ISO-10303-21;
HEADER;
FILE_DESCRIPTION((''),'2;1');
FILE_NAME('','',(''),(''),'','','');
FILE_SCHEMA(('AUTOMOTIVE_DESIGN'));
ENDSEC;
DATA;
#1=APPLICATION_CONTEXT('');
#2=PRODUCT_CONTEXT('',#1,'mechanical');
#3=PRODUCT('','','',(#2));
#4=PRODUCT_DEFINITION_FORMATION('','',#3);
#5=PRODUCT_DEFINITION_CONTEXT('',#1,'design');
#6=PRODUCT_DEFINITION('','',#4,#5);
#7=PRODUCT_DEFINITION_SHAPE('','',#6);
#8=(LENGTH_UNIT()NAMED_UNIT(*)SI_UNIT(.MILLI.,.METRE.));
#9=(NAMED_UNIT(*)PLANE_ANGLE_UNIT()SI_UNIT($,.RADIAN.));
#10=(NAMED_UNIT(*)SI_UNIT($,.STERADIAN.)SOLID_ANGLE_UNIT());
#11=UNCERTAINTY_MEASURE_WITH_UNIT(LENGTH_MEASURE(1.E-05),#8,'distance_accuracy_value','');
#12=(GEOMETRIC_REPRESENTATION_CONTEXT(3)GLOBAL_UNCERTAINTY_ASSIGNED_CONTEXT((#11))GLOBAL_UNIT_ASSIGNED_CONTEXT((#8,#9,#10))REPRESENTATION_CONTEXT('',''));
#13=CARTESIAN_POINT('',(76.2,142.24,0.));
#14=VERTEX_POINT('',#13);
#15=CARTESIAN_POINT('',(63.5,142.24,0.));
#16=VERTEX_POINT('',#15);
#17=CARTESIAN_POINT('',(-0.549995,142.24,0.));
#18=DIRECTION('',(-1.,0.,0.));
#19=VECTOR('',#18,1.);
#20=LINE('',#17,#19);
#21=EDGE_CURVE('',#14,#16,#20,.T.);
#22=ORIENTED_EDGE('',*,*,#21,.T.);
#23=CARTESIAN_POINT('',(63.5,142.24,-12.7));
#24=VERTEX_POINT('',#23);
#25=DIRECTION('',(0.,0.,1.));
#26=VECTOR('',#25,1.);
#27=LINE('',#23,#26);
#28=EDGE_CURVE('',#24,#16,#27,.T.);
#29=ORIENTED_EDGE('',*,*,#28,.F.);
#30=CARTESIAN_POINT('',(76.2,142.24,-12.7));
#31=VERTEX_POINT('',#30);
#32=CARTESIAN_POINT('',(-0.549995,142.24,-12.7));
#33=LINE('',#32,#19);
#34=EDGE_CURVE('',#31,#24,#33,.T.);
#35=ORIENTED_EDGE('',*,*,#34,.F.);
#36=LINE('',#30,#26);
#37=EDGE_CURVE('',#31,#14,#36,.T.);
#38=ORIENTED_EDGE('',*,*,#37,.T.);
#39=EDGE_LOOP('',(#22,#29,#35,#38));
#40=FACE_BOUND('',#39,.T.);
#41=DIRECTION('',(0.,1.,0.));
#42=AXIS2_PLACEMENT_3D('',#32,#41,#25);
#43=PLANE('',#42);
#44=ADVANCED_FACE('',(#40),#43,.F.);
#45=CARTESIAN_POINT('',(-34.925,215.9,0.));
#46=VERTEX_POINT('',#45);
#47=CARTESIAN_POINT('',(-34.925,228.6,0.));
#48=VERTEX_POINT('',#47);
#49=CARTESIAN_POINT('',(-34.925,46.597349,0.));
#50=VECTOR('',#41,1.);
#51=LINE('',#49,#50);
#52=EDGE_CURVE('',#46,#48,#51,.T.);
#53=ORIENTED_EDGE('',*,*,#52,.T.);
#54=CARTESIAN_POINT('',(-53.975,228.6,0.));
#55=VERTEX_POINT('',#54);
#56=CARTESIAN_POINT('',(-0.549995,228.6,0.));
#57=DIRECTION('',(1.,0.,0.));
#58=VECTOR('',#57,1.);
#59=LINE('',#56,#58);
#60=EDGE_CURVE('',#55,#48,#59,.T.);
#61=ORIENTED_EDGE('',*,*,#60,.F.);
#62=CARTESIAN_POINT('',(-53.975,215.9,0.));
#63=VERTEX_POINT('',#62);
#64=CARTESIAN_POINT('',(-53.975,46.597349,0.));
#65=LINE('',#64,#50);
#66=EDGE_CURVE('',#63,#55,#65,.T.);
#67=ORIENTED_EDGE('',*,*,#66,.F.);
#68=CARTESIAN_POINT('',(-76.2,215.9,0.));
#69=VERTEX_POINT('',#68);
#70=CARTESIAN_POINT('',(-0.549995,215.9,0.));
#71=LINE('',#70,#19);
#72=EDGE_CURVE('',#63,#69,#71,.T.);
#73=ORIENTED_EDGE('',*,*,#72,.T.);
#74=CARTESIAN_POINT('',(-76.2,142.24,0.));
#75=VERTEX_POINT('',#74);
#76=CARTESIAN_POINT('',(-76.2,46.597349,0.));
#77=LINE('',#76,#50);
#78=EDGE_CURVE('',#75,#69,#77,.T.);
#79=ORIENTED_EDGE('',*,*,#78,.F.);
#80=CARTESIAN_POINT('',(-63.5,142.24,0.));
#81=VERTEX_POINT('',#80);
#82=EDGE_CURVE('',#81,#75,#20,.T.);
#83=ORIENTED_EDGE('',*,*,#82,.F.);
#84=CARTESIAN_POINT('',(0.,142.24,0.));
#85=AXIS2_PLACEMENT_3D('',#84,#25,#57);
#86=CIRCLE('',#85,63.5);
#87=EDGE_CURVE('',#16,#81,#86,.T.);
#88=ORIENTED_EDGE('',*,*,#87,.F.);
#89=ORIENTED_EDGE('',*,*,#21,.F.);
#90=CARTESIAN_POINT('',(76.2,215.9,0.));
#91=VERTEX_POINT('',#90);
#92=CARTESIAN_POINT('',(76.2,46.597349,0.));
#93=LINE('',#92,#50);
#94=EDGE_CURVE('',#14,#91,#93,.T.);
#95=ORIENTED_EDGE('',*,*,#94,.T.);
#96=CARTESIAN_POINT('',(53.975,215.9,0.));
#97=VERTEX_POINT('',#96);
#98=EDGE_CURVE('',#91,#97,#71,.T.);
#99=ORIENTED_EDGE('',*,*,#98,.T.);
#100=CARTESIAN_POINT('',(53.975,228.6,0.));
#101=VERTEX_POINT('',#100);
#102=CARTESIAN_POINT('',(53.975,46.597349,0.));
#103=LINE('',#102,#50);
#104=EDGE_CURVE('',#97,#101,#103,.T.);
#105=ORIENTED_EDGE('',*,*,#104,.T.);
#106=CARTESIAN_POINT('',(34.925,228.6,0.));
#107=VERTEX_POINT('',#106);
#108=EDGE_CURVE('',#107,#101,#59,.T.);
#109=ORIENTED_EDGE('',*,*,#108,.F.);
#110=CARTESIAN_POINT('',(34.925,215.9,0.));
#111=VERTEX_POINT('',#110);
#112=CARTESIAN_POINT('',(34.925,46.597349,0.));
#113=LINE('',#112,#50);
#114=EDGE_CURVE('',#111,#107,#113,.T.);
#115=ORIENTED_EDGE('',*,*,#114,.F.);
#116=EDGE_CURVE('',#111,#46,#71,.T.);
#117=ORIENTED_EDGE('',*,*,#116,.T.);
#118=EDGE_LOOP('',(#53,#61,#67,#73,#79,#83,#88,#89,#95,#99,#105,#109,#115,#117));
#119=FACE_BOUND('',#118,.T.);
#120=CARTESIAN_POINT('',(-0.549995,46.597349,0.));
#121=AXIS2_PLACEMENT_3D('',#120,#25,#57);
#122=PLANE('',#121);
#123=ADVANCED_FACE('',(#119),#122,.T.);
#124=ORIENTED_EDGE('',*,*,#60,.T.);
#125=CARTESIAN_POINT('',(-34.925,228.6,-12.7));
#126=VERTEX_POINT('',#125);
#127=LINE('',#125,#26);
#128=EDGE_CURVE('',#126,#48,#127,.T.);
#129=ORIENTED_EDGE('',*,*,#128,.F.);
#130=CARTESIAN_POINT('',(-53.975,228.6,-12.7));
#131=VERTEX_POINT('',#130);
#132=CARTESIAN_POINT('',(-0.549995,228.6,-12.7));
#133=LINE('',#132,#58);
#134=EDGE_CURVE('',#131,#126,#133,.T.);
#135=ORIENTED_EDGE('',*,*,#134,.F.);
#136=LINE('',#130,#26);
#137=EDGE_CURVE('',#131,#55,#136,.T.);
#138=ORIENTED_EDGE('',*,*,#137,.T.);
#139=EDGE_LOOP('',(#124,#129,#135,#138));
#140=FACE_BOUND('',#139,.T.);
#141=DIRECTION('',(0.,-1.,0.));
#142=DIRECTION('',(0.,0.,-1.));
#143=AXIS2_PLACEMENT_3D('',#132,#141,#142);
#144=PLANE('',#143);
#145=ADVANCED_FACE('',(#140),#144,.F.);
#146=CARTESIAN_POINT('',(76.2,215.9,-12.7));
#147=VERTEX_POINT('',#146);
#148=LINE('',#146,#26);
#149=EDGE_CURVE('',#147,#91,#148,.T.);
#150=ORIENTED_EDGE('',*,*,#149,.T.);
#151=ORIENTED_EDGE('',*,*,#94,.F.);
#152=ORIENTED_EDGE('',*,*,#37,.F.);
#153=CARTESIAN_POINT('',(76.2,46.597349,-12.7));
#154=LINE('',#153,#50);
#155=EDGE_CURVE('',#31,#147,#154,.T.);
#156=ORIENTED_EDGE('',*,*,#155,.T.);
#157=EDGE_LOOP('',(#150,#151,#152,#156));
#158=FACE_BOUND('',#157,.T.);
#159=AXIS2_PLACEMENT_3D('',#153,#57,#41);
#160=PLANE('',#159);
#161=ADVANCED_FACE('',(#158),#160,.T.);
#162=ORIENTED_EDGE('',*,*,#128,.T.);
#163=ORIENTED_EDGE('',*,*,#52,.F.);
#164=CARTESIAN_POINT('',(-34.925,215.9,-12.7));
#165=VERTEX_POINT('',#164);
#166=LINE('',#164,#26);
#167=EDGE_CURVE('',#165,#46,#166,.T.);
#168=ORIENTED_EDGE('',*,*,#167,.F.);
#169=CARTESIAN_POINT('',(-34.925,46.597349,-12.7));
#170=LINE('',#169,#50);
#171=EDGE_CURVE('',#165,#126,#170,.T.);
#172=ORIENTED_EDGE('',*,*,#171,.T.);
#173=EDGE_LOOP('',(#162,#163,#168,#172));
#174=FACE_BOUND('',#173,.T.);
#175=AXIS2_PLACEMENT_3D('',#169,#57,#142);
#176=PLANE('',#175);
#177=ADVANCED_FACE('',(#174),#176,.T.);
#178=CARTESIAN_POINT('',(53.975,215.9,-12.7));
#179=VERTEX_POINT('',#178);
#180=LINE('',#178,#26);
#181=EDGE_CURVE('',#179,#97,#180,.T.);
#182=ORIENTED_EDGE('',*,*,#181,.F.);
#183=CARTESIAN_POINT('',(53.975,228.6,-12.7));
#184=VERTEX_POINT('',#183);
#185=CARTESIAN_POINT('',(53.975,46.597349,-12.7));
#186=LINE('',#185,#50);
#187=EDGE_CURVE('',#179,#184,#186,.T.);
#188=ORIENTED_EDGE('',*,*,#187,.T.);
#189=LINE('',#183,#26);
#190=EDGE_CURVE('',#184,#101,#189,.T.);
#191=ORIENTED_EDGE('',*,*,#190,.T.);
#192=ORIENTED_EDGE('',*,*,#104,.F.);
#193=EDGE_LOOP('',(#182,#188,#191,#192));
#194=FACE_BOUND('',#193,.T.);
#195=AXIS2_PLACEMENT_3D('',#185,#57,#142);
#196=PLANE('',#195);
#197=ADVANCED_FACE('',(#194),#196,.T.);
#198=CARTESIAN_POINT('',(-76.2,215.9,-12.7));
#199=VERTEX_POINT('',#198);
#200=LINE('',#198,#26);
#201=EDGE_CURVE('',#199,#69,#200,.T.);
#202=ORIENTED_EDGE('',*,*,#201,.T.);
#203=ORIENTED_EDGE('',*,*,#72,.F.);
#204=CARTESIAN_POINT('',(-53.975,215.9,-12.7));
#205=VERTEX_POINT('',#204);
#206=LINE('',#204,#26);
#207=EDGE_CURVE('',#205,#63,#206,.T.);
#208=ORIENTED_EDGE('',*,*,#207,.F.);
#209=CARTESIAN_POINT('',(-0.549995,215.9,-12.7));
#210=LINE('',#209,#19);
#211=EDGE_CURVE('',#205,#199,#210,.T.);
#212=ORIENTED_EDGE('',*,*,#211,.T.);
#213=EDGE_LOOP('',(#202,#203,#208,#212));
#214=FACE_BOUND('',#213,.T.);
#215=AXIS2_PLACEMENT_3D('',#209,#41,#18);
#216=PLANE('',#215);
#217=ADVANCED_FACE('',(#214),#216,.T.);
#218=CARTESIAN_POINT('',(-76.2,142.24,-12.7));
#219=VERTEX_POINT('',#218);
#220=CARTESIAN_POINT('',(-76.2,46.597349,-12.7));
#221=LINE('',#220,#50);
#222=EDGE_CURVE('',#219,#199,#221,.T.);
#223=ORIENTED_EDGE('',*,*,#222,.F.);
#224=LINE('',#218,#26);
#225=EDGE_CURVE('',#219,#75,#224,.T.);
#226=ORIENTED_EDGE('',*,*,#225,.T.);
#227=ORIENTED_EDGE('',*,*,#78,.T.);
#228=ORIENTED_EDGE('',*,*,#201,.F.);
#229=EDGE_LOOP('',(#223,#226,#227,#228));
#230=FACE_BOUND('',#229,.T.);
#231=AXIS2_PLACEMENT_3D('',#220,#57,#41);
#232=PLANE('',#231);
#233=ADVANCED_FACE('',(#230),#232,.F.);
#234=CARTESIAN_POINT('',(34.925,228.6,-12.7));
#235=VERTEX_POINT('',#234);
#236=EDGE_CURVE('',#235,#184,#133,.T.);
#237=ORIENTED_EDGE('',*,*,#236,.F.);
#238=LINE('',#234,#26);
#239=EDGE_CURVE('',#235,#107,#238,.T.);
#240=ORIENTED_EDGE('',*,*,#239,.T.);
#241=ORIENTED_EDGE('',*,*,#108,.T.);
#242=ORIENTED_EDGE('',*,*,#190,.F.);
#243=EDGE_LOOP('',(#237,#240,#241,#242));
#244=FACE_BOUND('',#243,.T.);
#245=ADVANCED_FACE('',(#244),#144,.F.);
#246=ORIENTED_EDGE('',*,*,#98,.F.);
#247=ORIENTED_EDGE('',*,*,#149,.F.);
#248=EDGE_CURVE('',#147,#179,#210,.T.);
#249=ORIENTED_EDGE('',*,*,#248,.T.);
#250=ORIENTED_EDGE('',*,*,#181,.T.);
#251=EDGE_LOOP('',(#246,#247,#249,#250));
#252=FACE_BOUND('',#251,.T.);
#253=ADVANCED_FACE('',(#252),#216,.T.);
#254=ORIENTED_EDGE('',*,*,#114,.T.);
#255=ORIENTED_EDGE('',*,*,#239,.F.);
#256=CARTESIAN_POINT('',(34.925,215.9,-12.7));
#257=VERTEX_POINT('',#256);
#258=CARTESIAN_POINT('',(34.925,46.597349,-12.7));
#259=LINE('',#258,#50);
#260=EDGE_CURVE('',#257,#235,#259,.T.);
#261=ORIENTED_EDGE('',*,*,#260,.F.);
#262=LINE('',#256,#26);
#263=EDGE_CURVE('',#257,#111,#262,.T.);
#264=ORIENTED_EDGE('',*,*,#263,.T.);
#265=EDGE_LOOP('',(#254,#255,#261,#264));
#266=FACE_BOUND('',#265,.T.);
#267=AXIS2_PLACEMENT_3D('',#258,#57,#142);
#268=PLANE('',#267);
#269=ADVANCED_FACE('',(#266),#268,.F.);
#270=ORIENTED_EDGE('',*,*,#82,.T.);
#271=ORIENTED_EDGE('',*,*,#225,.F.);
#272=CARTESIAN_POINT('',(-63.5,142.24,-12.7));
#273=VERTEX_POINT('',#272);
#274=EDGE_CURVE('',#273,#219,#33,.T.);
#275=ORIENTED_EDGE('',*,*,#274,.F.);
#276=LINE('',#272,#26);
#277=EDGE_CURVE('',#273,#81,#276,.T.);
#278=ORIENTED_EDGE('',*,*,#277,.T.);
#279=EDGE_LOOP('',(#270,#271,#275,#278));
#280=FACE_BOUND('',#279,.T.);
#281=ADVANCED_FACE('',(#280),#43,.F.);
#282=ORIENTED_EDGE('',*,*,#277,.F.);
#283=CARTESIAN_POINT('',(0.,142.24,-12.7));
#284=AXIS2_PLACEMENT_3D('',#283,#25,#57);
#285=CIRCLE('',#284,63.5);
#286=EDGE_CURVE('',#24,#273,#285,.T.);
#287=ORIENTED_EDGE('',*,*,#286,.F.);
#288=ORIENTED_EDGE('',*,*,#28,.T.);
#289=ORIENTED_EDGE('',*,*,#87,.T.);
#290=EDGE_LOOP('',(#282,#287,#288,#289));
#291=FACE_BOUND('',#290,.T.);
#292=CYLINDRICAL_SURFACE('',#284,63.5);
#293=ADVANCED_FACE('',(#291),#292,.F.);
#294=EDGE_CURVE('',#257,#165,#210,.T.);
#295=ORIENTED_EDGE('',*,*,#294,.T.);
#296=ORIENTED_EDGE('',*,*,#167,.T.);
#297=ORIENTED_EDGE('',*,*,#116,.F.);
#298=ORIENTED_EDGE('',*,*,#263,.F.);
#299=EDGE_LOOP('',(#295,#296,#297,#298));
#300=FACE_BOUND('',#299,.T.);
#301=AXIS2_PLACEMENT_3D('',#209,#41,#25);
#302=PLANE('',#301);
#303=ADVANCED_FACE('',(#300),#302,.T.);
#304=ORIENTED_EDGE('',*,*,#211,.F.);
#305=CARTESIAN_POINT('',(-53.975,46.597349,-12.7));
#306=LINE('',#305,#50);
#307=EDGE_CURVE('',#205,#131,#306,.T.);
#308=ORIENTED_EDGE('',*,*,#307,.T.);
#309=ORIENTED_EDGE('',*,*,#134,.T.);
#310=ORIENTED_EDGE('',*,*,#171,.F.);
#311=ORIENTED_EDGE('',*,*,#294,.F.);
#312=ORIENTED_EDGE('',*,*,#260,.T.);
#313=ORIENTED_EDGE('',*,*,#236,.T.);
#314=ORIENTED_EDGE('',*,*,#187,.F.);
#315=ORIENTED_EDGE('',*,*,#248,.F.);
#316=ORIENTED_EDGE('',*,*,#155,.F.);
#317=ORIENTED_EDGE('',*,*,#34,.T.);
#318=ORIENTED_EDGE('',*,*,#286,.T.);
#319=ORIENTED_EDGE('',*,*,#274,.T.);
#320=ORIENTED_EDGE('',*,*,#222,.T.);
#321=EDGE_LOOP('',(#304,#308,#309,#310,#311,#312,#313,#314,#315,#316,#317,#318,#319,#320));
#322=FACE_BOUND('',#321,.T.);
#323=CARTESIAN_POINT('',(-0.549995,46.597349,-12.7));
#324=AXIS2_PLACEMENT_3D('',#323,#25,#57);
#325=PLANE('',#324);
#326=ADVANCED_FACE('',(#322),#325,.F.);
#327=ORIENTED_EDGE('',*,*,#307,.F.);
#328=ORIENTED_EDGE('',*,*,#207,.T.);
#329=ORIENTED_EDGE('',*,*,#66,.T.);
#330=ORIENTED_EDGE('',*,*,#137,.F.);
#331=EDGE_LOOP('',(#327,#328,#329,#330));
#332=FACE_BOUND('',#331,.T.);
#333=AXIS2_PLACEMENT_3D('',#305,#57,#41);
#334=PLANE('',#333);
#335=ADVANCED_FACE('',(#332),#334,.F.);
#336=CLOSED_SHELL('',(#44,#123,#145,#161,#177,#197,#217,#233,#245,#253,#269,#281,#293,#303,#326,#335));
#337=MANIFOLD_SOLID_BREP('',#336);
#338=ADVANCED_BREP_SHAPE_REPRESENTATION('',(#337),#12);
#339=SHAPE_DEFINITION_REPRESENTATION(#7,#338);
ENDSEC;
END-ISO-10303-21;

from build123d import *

# Parameters (mm, degrees)
EXTRUDE1_DEPTH = 12.7


with BuildPart() as part:
    # Sketch1 → Extrude1 (new body)
    with BuildSketch(Plane.XY):
        with BuildLine():
            Line((76.2, 142.24), (63.5, 142.24))
            ThreePointArc((63.5, 142.24), (0, 205.74), (-63.5, 142.24))
            Line((-63.5, 142.24), (-76.2, 142.24))
            Line((-76.2, 142.24), (-76.2, 215.9))
            Line((-76.2, 215.9), (-53.975, 215.9))
            Line((-53.975, 215.9), (-53.975, 228.6))
            Line((-53.975, 228.6), (-34.925, 228.6))
            Line((-34.925, 228.6), (-34.925, 215.9))
            Line((-34.925, 215.9), (34.925, 215.9))
            Line((34.925, 215.9), (34.925, 228.6))
            Line((34.925, 228.6), (53.975, 228.6))
            Line((53.975, 228.6), (53.975, 215.9))
            Line((53.975, 215.9), (76.2, 215.9))
            Line((76.2, 215.9), (76.2, 142.24))
        make_face()
    extrude(amount=-EXTRUDE1_DEPTH)


solid = part.part
